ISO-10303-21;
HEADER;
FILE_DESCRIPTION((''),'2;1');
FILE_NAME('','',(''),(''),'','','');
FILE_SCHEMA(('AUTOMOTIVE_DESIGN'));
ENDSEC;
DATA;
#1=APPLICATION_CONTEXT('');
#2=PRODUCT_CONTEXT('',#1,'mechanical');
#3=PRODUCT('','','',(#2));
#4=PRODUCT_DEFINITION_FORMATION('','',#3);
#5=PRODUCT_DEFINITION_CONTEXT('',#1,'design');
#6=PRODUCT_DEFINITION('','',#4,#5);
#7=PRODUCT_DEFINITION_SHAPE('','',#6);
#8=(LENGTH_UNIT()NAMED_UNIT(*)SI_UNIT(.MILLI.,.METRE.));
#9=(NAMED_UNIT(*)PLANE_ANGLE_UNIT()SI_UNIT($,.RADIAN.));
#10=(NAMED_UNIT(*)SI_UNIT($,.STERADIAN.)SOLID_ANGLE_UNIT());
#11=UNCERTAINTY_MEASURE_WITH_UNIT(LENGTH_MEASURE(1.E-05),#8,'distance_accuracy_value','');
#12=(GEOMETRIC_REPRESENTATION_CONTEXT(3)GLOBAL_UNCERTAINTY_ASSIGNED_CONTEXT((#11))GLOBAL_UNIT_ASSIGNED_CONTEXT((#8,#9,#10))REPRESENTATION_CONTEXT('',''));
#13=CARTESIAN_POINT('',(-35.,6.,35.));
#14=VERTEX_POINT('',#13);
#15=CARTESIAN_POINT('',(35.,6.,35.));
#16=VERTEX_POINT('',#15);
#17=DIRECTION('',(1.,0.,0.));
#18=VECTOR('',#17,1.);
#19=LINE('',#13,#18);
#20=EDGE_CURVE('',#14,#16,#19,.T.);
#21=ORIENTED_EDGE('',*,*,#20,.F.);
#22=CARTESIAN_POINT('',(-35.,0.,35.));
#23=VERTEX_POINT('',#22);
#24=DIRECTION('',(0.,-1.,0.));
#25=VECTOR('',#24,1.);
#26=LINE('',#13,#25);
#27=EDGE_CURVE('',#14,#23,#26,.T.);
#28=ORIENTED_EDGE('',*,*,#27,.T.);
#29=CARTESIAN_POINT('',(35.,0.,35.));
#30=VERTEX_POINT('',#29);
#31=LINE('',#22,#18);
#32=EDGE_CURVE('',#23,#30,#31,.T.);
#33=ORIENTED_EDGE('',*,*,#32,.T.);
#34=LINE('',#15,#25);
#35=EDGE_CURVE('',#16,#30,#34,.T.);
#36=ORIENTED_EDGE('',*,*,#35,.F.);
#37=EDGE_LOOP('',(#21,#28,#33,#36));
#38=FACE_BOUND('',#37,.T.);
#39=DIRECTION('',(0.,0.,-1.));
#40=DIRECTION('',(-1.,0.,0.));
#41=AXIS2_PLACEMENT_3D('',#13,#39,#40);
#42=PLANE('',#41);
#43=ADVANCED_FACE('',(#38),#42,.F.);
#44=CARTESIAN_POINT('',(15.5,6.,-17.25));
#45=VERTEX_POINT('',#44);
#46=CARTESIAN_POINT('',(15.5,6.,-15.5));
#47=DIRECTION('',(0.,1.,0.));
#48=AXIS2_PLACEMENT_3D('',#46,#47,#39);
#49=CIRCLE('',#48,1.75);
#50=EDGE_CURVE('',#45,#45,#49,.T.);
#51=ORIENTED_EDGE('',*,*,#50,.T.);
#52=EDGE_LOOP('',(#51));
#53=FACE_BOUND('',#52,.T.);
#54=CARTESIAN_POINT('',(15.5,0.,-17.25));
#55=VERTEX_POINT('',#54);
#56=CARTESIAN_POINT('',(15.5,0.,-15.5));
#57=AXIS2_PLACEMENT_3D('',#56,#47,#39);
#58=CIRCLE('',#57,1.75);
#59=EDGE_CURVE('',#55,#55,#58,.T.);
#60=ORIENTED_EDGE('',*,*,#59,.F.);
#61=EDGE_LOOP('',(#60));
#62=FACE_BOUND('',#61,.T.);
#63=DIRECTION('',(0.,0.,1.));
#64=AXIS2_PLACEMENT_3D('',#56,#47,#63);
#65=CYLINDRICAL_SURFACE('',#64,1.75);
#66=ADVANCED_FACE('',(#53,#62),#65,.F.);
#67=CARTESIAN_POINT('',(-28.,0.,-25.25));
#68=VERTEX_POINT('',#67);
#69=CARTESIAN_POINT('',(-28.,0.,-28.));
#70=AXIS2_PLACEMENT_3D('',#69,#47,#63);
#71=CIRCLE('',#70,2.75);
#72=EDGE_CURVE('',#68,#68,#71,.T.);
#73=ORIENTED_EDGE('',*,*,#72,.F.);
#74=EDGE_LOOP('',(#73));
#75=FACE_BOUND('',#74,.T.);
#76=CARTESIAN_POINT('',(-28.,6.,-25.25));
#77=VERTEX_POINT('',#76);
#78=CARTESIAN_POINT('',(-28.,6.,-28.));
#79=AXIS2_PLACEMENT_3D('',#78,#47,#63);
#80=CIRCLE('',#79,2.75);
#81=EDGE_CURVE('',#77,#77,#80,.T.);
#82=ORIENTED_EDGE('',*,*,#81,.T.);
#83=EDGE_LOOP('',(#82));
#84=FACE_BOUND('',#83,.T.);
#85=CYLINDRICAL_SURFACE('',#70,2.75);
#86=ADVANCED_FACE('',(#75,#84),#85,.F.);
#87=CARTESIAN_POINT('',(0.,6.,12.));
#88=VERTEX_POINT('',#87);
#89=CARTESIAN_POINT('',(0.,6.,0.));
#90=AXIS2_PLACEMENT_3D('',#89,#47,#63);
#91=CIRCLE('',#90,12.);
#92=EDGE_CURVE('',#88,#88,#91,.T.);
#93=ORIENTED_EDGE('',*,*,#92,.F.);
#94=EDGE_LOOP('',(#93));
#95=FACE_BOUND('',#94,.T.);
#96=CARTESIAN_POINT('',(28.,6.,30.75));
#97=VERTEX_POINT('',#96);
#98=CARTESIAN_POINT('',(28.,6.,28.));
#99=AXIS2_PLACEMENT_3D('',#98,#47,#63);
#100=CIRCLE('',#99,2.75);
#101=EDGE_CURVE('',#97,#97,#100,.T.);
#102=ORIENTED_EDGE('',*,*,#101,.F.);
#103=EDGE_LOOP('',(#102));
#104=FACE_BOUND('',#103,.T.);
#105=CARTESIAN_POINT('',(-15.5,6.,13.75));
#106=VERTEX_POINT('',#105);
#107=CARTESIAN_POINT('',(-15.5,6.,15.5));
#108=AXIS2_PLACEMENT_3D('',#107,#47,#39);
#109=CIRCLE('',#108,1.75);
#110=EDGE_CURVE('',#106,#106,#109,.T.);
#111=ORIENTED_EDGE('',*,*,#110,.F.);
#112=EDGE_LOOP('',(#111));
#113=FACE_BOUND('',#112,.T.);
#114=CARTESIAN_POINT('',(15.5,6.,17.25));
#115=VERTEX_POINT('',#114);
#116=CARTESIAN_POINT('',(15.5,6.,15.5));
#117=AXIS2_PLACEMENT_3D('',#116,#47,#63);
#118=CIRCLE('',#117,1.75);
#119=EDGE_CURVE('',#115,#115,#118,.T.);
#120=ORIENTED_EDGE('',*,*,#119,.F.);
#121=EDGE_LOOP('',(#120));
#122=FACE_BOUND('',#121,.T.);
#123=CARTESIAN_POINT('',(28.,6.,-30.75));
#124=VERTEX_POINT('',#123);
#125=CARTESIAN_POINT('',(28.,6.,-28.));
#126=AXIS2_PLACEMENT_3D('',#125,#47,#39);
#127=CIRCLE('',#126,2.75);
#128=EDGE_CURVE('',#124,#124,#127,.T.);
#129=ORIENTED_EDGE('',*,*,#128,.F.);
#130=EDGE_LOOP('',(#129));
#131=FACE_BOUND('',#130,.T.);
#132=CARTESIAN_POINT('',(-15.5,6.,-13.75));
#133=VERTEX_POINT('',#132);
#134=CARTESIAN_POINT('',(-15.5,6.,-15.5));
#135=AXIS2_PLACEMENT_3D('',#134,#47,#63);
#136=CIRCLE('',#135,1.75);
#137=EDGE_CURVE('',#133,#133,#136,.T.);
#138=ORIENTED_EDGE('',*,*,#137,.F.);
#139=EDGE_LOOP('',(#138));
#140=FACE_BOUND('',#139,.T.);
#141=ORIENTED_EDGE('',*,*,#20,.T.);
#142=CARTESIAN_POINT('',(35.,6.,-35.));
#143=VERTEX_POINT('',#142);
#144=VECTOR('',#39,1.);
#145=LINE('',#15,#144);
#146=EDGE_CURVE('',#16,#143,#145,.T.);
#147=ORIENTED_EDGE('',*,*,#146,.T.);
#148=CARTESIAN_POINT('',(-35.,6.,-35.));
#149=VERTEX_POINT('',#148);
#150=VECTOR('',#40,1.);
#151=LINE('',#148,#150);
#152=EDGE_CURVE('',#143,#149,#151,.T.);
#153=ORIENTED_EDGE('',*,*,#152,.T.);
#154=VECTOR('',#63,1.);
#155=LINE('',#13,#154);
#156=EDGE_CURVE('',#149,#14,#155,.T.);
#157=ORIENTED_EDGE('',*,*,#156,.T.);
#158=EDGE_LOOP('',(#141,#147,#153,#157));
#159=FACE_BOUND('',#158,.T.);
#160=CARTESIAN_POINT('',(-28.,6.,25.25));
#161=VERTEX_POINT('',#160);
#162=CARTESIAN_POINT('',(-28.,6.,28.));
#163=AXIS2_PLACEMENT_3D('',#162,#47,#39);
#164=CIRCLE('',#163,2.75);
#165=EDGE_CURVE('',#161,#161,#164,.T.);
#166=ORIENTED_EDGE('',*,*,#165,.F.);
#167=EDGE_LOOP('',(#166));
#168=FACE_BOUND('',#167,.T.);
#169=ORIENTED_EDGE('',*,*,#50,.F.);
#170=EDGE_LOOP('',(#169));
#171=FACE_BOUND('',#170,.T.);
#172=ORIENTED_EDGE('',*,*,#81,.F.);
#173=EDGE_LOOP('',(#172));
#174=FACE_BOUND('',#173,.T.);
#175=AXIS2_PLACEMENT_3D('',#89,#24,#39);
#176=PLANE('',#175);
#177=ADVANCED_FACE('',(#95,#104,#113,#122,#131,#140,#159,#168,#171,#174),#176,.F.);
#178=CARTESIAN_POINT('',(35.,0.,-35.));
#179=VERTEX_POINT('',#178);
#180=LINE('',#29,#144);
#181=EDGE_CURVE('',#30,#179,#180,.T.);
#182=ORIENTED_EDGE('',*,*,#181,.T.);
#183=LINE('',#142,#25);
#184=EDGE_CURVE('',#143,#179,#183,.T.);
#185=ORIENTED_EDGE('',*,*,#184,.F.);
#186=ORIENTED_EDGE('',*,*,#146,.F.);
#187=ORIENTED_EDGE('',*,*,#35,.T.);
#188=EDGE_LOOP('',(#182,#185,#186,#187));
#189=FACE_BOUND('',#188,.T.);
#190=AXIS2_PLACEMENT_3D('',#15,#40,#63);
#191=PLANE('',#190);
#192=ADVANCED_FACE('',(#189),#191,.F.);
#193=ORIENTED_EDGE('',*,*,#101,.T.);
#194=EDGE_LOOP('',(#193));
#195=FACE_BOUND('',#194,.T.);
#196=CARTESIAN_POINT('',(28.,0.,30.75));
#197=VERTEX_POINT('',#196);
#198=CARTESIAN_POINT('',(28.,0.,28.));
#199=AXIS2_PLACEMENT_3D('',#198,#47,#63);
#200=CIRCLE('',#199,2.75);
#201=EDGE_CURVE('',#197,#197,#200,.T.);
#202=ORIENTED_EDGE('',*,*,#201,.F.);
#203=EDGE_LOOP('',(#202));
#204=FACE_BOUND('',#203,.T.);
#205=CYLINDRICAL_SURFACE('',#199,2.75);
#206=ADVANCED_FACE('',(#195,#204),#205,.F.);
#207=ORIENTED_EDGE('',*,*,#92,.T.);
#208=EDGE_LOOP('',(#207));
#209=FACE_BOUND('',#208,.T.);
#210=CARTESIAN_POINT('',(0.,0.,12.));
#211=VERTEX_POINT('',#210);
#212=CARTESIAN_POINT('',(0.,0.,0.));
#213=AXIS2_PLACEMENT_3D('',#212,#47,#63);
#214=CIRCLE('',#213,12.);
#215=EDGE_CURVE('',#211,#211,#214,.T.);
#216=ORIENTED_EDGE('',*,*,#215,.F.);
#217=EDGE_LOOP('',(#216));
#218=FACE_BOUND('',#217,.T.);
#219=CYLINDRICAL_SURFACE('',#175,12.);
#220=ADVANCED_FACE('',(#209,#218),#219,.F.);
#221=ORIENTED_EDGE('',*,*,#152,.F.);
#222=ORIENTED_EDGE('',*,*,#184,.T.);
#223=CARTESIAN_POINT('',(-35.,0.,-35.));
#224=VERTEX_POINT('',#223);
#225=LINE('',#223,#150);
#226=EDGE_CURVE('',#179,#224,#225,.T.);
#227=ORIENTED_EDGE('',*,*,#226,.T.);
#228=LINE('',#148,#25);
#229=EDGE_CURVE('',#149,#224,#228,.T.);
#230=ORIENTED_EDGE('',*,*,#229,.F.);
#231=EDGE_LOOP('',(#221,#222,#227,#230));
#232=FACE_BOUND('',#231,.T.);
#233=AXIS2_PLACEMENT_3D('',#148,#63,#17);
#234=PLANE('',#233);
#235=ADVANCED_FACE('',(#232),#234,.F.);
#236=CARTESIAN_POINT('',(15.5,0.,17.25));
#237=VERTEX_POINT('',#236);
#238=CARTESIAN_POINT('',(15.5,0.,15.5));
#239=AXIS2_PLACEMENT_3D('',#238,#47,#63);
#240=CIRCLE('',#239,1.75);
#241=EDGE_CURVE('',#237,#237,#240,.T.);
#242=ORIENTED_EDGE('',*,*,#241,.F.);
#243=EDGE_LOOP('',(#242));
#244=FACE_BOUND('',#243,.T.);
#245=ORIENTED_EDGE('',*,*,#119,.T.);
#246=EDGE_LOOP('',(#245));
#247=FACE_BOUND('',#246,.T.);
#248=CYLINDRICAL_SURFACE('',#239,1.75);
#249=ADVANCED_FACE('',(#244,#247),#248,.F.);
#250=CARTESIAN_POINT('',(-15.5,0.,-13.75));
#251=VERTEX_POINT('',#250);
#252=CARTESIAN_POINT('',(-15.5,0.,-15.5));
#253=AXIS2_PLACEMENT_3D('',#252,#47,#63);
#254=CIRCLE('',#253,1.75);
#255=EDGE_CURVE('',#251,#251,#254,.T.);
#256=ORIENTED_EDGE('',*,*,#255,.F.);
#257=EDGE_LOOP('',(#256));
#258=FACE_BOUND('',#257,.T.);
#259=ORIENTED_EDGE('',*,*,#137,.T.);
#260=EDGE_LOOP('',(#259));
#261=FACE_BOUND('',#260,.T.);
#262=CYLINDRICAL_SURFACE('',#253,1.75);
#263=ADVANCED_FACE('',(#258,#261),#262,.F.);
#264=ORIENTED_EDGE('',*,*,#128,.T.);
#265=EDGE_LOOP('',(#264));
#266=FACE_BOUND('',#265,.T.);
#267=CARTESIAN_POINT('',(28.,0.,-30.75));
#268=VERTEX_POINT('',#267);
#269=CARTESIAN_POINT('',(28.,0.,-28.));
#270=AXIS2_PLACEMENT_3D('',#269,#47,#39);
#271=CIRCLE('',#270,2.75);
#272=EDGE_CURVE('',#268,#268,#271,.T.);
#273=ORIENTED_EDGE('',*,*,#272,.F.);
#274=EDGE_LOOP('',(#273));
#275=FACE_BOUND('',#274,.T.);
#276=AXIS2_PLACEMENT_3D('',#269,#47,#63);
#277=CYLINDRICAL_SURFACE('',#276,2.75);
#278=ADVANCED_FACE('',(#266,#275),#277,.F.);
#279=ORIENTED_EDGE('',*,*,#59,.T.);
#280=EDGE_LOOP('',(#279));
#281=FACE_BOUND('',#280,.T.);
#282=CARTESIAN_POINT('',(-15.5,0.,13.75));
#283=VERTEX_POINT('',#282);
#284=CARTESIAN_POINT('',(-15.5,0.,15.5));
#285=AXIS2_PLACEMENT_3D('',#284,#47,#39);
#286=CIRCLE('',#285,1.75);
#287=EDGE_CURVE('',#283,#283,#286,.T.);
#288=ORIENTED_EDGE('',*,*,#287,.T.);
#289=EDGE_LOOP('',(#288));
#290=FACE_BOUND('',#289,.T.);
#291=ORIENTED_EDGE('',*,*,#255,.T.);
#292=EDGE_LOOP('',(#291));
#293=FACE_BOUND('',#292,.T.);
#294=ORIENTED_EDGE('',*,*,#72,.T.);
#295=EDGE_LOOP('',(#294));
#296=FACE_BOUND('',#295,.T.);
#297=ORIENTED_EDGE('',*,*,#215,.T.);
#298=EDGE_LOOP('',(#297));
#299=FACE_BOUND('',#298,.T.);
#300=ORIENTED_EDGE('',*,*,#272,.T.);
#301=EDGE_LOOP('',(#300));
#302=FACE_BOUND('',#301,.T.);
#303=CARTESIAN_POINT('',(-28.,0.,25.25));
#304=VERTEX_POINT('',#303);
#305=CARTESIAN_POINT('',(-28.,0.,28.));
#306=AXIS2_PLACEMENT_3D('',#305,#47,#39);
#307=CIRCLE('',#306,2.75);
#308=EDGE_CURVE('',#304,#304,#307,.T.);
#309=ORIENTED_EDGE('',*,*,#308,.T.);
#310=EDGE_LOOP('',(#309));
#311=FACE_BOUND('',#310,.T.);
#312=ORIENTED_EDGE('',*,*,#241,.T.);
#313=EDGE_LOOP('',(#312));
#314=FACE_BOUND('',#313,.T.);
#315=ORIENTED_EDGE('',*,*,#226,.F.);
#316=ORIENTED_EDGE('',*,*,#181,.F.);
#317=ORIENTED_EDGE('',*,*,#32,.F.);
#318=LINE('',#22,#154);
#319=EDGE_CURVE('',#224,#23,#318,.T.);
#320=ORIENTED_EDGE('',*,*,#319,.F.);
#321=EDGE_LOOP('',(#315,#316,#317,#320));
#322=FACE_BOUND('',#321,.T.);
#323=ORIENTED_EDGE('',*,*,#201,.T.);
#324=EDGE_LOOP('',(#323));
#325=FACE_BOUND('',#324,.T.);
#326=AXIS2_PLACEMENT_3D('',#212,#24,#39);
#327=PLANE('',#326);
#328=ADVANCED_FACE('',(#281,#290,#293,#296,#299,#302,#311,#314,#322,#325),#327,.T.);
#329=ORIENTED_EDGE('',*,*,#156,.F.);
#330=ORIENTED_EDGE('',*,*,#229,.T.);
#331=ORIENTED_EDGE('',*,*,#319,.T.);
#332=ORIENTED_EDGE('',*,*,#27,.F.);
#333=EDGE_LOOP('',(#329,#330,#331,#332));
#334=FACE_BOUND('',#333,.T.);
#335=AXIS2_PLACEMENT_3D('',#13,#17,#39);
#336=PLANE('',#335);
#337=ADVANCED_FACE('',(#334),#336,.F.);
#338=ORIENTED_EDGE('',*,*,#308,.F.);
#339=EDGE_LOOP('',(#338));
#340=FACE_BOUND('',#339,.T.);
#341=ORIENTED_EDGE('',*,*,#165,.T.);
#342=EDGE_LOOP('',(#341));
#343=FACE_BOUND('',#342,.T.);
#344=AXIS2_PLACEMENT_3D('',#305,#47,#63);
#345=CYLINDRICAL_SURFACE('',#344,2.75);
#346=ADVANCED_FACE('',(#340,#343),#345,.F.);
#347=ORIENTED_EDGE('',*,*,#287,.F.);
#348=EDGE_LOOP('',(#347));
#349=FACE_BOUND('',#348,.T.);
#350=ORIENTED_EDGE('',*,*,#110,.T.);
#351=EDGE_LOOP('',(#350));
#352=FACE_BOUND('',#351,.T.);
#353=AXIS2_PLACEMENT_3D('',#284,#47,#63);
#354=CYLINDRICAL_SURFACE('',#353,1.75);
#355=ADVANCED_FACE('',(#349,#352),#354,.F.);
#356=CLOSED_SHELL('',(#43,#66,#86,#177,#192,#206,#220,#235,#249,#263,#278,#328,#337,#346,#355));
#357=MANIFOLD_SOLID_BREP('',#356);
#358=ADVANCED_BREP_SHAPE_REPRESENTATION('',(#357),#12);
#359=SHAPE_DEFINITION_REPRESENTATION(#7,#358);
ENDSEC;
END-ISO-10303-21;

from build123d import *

# Parameters (mm, degrees)
SKETCH4_W           = 70
SKETCH4_H           = 70
SKETCH4_R           = 12
BOSS_EXTRUDE2_DEPTH = 6
SKETCH5_R           = 1.75
CUT_EXTRUDE1_DEPTH  = 50.859803449
SKETCH6_R           = 2.75
CUT_EXTRUDE2_DEPTH  = 50.859803449


with BuildPart() as part:
    # Sketch4 → Boss-Extrude2 (new body)
    with BuildSketch(Plane(origin=(0, 0, 0), x_dir=(1, 0, 0), z_dir=(0, 1, 0))):
        Rectangle(SKETCH4_W, SKETCH4_H)
        with Locations(Location((0, 0, 0), (0, 0, 270))):
            Circle(SKETCH4_R, mode=Mode.SUBTRACT)
    extrude(amount=BOSS_EXTRUDE2_DEPTH)

    # Sketch5 → Cut-Extrude1 (cut, through all)
    with BuildSketch(Plane(origin=(0, 6, 0), x_dir=(1, 0, 0), z_dir=(0, 1, 0))):
        with Locations(Location((-15.5, 15.5, 0), (0, 0, 270))):
            Circle(SKETCH5_R)
        with Locations(Location((15.5, 15.5, 0), (0, 0, 90))):
            Circle(SKETCH5_R)
        with Locations(Location((15.5, -15.5, 0), (0, 0, 270))):
            Circle(SKETCH5_R)
        with Locations(Location((-15.5, -15.5, 0), (0, 0, 90))):
            Circle(SKETCH5_R)
    extrude(amount=-CUT_EXTRUDE1_DEPTH, mode=Mode.SUBTRACT)

    # Sketch6 → Cut-Extrude2 (cut, through all)
    with BuildSketch(Plane(origin=(0, 6, 0), x_dir=(1, 0, 0), z_dir=(0, 1, 0))):
        with Locations(Location((-28, 28, 0), (0, 0, 270))):
            Circle(SKETCH6_R)
        with Locations(Location((28, 28, 0), (0, 0, 90))):
            Circle(SKETCH6_R)
        with Locations(Location((28, -28, 0), (0, 0, 270))):
            Circle(SKETCH6_R)
        with Locations(Location((-28, -28, 0), (0, 0, 90))):
            Circle(SKETCH6_R)
    extrude(amount=-CUT_EXTRUDE2_DEPTH, mode=Mode.SUBTRACT)


solid = part.part
